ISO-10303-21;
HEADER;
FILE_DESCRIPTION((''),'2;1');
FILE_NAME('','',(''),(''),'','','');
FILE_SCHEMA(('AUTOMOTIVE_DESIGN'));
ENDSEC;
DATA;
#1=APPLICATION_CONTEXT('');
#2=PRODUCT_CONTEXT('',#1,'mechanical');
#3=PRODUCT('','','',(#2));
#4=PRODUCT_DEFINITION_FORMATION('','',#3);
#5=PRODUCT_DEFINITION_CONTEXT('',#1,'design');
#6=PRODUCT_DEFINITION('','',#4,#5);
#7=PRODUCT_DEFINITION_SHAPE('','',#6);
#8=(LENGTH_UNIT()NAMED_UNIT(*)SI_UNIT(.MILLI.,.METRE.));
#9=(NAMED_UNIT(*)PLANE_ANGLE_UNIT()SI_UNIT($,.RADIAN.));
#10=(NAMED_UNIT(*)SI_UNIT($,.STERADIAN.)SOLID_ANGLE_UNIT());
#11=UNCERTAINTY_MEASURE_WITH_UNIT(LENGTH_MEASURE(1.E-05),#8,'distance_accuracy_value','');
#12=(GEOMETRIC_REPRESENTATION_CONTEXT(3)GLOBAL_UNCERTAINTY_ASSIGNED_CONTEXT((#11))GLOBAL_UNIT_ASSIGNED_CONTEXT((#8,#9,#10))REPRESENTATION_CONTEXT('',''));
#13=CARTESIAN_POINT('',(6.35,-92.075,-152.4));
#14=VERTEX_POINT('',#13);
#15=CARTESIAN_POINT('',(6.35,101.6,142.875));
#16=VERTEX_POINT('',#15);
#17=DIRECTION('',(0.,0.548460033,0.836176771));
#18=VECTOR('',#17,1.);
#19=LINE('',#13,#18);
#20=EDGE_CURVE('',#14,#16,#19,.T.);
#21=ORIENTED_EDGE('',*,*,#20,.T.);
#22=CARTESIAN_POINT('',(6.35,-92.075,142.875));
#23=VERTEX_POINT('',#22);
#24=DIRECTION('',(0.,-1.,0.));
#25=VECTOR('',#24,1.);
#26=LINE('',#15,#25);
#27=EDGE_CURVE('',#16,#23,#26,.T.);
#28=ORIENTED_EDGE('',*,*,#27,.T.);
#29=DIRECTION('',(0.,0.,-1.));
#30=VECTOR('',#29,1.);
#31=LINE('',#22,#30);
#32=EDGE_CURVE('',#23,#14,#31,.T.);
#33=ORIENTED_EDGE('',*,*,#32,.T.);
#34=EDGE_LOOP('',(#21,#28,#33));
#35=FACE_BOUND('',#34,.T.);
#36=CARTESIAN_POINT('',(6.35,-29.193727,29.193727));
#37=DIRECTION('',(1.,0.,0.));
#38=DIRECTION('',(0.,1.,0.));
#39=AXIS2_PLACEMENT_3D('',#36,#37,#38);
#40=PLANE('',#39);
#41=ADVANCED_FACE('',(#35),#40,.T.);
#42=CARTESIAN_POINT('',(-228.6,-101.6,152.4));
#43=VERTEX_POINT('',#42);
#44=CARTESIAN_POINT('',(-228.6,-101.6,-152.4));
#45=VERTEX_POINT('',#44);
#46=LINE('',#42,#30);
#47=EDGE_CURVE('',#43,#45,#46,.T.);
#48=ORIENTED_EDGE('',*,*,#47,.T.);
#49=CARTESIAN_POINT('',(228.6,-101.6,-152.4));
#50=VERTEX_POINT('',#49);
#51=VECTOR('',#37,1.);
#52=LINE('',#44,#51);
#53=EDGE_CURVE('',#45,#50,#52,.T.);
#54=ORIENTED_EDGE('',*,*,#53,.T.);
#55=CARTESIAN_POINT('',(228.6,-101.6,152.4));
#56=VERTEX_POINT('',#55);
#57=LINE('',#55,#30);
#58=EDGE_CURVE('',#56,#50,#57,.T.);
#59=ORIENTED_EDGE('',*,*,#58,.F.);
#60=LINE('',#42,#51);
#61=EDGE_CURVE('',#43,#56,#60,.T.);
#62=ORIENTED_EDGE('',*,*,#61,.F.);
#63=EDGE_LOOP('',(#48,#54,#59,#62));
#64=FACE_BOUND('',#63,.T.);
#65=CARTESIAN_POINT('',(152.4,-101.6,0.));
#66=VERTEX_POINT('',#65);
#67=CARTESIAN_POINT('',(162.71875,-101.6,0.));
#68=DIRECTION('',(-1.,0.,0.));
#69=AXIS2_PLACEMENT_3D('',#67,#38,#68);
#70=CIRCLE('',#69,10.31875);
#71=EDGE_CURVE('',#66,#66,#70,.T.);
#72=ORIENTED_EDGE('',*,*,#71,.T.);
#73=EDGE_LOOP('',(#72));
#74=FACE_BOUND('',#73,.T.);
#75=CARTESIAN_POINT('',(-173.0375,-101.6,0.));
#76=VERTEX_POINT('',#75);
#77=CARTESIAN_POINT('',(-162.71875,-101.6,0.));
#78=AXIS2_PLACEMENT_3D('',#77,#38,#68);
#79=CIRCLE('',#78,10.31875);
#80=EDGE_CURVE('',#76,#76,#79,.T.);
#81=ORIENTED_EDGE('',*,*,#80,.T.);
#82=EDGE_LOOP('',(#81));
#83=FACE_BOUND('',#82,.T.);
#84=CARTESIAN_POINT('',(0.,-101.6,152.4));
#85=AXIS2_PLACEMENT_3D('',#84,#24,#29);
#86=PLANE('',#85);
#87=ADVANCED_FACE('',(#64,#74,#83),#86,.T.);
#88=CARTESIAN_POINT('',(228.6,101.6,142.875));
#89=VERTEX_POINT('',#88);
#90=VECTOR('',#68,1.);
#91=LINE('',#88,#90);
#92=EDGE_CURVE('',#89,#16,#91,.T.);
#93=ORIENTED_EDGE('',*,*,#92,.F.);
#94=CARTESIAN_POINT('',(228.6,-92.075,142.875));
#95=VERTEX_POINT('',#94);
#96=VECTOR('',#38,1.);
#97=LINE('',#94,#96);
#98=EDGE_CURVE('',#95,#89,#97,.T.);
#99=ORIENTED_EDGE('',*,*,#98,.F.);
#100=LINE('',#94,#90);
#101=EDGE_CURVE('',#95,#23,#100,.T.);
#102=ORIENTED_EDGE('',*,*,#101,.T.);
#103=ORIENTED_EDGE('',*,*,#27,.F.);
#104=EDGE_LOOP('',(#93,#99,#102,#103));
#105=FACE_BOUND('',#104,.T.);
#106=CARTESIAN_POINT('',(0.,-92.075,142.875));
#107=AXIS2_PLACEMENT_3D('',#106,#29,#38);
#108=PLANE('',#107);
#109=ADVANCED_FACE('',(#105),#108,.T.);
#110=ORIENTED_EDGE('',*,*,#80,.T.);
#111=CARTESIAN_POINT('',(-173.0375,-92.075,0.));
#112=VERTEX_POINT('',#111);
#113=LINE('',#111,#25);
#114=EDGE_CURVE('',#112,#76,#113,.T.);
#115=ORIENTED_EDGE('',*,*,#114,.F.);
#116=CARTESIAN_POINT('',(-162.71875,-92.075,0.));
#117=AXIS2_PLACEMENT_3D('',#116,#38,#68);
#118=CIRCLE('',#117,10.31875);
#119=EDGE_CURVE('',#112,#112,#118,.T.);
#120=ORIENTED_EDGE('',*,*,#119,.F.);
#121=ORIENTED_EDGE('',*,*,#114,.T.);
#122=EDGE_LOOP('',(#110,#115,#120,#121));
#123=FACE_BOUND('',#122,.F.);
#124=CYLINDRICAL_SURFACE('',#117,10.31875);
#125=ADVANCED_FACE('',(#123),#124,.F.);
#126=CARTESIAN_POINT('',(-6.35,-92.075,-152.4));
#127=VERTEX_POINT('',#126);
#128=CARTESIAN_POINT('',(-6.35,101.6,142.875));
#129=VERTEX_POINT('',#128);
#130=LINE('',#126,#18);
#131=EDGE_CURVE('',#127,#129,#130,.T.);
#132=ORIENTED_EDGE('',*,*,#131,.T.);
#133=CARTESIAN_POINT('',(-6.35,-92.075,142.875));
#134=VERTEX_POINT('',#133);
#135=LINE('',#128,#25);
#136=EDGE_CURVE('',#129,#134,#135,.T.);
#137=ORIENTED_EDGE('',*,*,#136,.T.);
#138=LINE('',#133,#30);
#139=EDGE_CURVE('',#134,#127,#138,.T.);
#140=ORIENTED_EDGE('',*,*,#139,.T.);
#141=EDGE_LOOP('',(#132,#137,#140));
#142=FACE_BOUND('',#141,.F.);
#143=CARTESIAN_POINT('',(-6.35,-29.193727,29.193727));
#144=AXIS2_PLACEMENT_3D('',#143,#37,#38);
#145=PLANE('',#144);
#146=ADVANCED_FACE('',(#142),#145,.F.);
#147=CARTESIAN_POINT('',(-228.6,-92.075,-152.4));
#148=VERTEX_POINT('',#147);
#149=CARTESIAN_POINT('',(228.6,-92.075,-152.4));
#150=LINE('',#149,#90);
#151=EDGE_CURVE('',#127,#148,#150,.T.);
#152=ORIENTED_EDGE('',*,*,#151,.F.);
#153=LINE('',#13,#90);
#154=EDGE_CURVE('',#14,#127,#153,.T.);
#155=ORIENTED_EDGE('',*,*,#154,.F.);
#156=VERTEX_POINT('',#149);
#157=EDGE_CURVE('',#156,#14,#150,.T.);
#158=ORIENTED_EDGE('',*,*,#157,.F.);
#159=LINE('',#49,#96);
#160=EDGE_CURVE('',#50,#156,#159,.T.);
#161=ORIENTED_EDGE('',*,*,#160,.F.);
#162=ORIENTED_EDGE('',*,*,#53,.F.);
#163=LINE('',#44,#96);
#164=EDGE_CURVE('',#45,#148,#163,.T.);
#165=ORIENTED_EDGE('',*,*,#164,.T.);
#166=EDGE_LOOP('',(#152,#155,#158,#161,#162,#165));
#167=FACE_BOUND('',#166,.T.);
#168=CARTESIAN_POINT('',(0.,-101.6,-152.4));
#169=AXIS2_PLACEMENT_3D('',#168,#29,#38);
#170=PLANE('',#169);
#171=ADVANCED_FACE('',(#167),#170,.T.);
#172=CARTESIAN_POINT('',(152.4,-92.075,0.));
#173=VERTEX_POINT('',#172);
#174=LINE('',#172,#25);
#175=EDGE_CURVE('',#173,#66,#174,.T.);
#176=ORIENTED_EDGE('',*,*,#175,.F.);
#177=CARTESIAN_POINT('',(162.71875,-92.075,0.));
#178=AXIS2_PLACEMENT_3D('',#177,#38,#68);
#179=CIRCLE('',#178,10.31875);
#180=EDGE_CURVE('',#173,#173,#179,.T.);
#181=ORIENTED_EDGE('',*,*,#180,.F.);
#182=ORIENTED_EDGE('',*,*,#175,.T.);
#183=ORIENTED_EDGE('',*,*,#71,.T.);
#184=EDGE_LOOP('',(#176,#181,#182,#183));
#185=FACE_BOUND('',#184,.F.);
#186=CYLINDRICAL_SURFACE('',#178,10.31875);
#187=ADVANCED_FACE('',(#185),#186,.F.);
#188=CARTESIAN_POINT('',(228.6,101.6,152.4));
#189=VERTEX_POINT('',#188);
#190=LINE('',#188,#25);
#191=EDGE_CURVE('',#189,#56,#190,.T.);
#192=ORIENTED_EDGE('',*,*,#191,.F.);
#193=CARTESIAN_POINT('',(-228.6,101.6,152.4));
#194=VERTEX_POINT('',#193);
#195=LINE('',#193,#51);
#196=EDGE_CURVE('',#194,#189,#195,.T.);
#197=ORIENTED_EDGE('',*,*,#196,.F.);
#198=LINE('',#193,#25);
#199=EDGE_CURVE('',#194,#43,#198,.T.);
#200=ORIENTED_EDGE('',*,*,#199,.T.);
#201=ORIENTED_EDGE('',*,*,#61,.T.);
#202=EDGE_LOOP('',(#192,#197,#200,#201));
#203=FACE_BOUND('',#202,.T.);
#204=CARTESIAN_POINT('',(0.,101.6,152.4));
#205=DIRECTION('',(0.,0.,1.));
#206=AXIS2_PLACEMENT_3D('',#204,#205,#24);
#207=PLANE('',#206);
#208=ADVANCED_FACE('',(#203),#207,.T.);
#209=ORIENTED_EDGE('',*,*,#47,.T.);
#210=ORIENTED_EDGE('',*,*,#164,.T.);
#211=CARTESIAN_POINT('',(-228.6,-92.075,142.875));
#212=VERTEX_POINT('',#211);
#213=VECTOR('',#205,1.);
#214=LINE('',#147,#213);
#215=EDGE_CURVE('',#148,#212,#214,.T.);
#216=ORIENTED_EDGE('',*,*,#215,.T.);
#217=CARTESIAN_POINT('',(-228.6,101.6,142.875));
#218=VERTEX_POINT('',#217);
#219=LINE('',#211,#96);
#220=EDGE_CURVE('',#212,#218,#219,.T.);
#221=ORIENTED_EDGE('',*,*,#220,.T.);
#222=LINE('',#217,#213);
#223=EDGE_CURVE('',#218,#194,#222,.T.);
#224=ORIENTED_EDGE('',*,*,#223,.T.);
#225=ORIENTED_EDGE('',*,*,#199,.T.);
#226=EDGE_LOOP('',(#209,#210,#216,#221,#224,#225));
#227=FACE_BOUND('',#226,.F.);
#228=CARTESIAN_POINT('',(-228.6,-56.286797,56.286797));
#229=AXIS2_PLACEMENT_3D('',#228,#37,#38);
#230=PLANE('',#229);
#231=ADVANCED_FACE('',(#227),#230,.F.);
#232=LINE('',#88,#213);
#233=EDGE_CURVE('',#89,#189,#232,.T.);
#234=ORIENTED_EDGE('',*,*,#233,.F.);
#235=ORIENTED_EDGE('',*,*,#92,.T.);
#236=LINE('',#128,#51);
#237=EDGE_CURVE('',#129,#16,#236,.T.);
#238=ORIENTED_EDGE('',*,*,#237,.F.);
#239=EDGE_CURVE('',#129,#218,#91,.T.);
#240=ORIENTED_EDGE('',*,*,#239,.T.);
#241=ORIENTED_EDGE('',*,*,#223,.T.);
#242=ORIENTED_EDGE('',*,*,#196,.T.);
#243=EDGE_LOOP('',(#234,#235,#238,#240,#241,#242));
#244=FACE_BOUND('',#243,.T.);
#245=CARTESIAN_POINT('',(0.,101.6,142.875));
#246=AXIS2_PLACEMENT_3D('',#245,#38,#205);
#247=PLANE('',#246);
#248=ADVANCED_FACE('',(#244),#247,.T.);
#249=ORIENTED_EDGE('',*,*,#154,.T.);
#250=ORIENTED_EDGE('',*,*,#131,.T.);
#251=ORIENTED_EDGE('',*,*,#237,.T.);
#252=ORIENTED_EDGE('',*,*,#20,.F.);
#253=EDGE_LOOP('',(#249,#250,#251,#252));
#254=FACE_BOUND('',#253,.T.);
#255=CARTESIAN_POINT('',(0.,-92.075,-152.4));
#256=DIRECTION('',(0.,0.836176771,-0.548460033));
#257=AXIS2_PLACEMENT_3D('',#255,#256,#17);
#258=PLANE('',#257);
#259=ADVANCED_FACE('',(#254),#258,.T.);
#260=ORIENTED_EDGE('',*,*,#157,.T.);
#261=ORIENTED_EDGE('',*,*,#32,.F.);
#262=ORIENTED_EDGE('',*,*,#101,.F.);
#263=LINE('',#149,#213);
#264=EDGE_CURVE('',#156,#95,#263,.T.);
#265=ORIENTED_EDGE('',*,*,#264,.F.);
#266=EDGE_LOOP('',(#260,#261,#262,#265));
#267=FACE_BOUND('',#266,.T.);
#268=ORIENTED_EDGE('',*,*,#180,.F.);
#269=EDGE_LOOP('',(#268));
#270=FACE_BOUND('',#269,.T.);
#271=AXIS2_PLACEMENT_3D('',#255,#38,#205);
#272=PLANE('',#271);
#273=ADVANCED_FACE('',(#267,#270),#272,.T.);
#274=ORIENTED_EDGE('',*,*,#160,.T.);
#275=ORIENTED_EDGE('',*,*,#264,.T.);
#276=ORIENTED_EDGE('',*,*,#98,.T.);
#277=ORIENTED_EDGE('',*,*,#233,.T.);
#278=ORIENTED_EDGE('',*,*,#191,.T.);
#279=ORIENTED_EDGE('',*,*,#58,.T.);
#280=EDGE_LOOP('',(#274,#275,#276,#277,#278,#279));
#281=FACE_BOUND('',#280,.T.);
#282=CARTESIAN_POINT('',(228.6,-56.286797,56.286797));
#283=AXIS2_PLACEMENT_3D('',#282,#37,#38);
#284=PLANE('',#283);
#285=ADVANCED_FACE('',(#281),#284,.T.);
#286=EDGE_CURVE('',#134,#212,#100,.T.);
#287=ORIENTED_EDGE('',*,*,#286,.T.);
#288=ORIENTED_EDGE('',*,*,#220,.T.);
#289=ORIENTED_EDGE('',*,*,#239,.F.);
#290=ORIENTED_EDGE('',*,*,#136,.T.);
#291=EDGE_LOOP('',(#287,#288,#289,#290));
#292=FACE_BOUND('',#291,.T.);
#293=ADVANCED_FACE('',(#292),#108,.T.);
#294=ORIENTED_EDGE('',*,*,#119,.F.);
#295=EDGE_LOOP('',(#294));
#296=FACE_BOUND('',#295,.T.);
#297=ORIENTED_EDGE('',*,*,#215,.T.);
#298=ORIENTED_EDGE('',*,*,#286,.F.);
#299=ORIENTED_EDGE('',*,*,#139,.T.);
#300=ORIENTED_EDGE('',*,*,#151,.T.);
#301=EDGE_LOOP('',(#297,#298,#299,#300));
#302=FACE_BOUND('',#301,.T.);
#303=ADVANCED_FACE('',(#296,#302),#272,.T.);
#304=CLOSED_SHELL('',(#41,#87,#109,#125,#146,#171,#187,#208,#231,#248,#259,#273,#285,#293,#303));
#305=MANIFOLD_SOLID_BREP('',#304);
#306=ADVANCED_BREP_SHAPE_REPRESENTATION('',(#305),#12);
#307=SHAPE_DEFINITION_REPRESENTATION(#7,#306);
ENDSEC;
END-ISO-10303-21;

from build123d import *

# Parameters (mm, degrees)
F1_DEPTH = 228.6
F3_DEPTH = 6.35
F4_R     = 10.31875
F5_DEPTH = 25.4


with BuildPart() as f1:
    # F0 (on Right) → F1 (new body, symmetric)
    with BuildSketch(Plane.YZ):
        Polygon((101.6, 142.875), (101.6, 152.4), (-101.6, 152.4), (-101.6, -152.4), (-92.075, -152.4), (-92.075, 142.875), align=None)
    extrude(amount=F1_DEPTH, both=True)

    # F2 (on Right) → F3 (join, symmetric)
    with BuildSketch(Plane.YZ):
        Polygon((-92.075, -152.4), (101.6, 142.875), (-92.075, 142.875), align=None)
    extrude(amount=F3_DEPTH, both=True)

    # F4 (on face) → F5 (cut)
    with BuildSketch(Plane(origin=(0, -92.075, 0), x_dir=(-1, 0, 0), z_dir=(0, 1, 0))):
        with Locations((-162.71875, 0)):
            Circle(F4_R)
        with Locations((162.71875, 0)):
            Circle(F4_R)
    extrude(amount=-F5_DEPTH, mode=Mode.SUBTRACT)


solid = f1.part
